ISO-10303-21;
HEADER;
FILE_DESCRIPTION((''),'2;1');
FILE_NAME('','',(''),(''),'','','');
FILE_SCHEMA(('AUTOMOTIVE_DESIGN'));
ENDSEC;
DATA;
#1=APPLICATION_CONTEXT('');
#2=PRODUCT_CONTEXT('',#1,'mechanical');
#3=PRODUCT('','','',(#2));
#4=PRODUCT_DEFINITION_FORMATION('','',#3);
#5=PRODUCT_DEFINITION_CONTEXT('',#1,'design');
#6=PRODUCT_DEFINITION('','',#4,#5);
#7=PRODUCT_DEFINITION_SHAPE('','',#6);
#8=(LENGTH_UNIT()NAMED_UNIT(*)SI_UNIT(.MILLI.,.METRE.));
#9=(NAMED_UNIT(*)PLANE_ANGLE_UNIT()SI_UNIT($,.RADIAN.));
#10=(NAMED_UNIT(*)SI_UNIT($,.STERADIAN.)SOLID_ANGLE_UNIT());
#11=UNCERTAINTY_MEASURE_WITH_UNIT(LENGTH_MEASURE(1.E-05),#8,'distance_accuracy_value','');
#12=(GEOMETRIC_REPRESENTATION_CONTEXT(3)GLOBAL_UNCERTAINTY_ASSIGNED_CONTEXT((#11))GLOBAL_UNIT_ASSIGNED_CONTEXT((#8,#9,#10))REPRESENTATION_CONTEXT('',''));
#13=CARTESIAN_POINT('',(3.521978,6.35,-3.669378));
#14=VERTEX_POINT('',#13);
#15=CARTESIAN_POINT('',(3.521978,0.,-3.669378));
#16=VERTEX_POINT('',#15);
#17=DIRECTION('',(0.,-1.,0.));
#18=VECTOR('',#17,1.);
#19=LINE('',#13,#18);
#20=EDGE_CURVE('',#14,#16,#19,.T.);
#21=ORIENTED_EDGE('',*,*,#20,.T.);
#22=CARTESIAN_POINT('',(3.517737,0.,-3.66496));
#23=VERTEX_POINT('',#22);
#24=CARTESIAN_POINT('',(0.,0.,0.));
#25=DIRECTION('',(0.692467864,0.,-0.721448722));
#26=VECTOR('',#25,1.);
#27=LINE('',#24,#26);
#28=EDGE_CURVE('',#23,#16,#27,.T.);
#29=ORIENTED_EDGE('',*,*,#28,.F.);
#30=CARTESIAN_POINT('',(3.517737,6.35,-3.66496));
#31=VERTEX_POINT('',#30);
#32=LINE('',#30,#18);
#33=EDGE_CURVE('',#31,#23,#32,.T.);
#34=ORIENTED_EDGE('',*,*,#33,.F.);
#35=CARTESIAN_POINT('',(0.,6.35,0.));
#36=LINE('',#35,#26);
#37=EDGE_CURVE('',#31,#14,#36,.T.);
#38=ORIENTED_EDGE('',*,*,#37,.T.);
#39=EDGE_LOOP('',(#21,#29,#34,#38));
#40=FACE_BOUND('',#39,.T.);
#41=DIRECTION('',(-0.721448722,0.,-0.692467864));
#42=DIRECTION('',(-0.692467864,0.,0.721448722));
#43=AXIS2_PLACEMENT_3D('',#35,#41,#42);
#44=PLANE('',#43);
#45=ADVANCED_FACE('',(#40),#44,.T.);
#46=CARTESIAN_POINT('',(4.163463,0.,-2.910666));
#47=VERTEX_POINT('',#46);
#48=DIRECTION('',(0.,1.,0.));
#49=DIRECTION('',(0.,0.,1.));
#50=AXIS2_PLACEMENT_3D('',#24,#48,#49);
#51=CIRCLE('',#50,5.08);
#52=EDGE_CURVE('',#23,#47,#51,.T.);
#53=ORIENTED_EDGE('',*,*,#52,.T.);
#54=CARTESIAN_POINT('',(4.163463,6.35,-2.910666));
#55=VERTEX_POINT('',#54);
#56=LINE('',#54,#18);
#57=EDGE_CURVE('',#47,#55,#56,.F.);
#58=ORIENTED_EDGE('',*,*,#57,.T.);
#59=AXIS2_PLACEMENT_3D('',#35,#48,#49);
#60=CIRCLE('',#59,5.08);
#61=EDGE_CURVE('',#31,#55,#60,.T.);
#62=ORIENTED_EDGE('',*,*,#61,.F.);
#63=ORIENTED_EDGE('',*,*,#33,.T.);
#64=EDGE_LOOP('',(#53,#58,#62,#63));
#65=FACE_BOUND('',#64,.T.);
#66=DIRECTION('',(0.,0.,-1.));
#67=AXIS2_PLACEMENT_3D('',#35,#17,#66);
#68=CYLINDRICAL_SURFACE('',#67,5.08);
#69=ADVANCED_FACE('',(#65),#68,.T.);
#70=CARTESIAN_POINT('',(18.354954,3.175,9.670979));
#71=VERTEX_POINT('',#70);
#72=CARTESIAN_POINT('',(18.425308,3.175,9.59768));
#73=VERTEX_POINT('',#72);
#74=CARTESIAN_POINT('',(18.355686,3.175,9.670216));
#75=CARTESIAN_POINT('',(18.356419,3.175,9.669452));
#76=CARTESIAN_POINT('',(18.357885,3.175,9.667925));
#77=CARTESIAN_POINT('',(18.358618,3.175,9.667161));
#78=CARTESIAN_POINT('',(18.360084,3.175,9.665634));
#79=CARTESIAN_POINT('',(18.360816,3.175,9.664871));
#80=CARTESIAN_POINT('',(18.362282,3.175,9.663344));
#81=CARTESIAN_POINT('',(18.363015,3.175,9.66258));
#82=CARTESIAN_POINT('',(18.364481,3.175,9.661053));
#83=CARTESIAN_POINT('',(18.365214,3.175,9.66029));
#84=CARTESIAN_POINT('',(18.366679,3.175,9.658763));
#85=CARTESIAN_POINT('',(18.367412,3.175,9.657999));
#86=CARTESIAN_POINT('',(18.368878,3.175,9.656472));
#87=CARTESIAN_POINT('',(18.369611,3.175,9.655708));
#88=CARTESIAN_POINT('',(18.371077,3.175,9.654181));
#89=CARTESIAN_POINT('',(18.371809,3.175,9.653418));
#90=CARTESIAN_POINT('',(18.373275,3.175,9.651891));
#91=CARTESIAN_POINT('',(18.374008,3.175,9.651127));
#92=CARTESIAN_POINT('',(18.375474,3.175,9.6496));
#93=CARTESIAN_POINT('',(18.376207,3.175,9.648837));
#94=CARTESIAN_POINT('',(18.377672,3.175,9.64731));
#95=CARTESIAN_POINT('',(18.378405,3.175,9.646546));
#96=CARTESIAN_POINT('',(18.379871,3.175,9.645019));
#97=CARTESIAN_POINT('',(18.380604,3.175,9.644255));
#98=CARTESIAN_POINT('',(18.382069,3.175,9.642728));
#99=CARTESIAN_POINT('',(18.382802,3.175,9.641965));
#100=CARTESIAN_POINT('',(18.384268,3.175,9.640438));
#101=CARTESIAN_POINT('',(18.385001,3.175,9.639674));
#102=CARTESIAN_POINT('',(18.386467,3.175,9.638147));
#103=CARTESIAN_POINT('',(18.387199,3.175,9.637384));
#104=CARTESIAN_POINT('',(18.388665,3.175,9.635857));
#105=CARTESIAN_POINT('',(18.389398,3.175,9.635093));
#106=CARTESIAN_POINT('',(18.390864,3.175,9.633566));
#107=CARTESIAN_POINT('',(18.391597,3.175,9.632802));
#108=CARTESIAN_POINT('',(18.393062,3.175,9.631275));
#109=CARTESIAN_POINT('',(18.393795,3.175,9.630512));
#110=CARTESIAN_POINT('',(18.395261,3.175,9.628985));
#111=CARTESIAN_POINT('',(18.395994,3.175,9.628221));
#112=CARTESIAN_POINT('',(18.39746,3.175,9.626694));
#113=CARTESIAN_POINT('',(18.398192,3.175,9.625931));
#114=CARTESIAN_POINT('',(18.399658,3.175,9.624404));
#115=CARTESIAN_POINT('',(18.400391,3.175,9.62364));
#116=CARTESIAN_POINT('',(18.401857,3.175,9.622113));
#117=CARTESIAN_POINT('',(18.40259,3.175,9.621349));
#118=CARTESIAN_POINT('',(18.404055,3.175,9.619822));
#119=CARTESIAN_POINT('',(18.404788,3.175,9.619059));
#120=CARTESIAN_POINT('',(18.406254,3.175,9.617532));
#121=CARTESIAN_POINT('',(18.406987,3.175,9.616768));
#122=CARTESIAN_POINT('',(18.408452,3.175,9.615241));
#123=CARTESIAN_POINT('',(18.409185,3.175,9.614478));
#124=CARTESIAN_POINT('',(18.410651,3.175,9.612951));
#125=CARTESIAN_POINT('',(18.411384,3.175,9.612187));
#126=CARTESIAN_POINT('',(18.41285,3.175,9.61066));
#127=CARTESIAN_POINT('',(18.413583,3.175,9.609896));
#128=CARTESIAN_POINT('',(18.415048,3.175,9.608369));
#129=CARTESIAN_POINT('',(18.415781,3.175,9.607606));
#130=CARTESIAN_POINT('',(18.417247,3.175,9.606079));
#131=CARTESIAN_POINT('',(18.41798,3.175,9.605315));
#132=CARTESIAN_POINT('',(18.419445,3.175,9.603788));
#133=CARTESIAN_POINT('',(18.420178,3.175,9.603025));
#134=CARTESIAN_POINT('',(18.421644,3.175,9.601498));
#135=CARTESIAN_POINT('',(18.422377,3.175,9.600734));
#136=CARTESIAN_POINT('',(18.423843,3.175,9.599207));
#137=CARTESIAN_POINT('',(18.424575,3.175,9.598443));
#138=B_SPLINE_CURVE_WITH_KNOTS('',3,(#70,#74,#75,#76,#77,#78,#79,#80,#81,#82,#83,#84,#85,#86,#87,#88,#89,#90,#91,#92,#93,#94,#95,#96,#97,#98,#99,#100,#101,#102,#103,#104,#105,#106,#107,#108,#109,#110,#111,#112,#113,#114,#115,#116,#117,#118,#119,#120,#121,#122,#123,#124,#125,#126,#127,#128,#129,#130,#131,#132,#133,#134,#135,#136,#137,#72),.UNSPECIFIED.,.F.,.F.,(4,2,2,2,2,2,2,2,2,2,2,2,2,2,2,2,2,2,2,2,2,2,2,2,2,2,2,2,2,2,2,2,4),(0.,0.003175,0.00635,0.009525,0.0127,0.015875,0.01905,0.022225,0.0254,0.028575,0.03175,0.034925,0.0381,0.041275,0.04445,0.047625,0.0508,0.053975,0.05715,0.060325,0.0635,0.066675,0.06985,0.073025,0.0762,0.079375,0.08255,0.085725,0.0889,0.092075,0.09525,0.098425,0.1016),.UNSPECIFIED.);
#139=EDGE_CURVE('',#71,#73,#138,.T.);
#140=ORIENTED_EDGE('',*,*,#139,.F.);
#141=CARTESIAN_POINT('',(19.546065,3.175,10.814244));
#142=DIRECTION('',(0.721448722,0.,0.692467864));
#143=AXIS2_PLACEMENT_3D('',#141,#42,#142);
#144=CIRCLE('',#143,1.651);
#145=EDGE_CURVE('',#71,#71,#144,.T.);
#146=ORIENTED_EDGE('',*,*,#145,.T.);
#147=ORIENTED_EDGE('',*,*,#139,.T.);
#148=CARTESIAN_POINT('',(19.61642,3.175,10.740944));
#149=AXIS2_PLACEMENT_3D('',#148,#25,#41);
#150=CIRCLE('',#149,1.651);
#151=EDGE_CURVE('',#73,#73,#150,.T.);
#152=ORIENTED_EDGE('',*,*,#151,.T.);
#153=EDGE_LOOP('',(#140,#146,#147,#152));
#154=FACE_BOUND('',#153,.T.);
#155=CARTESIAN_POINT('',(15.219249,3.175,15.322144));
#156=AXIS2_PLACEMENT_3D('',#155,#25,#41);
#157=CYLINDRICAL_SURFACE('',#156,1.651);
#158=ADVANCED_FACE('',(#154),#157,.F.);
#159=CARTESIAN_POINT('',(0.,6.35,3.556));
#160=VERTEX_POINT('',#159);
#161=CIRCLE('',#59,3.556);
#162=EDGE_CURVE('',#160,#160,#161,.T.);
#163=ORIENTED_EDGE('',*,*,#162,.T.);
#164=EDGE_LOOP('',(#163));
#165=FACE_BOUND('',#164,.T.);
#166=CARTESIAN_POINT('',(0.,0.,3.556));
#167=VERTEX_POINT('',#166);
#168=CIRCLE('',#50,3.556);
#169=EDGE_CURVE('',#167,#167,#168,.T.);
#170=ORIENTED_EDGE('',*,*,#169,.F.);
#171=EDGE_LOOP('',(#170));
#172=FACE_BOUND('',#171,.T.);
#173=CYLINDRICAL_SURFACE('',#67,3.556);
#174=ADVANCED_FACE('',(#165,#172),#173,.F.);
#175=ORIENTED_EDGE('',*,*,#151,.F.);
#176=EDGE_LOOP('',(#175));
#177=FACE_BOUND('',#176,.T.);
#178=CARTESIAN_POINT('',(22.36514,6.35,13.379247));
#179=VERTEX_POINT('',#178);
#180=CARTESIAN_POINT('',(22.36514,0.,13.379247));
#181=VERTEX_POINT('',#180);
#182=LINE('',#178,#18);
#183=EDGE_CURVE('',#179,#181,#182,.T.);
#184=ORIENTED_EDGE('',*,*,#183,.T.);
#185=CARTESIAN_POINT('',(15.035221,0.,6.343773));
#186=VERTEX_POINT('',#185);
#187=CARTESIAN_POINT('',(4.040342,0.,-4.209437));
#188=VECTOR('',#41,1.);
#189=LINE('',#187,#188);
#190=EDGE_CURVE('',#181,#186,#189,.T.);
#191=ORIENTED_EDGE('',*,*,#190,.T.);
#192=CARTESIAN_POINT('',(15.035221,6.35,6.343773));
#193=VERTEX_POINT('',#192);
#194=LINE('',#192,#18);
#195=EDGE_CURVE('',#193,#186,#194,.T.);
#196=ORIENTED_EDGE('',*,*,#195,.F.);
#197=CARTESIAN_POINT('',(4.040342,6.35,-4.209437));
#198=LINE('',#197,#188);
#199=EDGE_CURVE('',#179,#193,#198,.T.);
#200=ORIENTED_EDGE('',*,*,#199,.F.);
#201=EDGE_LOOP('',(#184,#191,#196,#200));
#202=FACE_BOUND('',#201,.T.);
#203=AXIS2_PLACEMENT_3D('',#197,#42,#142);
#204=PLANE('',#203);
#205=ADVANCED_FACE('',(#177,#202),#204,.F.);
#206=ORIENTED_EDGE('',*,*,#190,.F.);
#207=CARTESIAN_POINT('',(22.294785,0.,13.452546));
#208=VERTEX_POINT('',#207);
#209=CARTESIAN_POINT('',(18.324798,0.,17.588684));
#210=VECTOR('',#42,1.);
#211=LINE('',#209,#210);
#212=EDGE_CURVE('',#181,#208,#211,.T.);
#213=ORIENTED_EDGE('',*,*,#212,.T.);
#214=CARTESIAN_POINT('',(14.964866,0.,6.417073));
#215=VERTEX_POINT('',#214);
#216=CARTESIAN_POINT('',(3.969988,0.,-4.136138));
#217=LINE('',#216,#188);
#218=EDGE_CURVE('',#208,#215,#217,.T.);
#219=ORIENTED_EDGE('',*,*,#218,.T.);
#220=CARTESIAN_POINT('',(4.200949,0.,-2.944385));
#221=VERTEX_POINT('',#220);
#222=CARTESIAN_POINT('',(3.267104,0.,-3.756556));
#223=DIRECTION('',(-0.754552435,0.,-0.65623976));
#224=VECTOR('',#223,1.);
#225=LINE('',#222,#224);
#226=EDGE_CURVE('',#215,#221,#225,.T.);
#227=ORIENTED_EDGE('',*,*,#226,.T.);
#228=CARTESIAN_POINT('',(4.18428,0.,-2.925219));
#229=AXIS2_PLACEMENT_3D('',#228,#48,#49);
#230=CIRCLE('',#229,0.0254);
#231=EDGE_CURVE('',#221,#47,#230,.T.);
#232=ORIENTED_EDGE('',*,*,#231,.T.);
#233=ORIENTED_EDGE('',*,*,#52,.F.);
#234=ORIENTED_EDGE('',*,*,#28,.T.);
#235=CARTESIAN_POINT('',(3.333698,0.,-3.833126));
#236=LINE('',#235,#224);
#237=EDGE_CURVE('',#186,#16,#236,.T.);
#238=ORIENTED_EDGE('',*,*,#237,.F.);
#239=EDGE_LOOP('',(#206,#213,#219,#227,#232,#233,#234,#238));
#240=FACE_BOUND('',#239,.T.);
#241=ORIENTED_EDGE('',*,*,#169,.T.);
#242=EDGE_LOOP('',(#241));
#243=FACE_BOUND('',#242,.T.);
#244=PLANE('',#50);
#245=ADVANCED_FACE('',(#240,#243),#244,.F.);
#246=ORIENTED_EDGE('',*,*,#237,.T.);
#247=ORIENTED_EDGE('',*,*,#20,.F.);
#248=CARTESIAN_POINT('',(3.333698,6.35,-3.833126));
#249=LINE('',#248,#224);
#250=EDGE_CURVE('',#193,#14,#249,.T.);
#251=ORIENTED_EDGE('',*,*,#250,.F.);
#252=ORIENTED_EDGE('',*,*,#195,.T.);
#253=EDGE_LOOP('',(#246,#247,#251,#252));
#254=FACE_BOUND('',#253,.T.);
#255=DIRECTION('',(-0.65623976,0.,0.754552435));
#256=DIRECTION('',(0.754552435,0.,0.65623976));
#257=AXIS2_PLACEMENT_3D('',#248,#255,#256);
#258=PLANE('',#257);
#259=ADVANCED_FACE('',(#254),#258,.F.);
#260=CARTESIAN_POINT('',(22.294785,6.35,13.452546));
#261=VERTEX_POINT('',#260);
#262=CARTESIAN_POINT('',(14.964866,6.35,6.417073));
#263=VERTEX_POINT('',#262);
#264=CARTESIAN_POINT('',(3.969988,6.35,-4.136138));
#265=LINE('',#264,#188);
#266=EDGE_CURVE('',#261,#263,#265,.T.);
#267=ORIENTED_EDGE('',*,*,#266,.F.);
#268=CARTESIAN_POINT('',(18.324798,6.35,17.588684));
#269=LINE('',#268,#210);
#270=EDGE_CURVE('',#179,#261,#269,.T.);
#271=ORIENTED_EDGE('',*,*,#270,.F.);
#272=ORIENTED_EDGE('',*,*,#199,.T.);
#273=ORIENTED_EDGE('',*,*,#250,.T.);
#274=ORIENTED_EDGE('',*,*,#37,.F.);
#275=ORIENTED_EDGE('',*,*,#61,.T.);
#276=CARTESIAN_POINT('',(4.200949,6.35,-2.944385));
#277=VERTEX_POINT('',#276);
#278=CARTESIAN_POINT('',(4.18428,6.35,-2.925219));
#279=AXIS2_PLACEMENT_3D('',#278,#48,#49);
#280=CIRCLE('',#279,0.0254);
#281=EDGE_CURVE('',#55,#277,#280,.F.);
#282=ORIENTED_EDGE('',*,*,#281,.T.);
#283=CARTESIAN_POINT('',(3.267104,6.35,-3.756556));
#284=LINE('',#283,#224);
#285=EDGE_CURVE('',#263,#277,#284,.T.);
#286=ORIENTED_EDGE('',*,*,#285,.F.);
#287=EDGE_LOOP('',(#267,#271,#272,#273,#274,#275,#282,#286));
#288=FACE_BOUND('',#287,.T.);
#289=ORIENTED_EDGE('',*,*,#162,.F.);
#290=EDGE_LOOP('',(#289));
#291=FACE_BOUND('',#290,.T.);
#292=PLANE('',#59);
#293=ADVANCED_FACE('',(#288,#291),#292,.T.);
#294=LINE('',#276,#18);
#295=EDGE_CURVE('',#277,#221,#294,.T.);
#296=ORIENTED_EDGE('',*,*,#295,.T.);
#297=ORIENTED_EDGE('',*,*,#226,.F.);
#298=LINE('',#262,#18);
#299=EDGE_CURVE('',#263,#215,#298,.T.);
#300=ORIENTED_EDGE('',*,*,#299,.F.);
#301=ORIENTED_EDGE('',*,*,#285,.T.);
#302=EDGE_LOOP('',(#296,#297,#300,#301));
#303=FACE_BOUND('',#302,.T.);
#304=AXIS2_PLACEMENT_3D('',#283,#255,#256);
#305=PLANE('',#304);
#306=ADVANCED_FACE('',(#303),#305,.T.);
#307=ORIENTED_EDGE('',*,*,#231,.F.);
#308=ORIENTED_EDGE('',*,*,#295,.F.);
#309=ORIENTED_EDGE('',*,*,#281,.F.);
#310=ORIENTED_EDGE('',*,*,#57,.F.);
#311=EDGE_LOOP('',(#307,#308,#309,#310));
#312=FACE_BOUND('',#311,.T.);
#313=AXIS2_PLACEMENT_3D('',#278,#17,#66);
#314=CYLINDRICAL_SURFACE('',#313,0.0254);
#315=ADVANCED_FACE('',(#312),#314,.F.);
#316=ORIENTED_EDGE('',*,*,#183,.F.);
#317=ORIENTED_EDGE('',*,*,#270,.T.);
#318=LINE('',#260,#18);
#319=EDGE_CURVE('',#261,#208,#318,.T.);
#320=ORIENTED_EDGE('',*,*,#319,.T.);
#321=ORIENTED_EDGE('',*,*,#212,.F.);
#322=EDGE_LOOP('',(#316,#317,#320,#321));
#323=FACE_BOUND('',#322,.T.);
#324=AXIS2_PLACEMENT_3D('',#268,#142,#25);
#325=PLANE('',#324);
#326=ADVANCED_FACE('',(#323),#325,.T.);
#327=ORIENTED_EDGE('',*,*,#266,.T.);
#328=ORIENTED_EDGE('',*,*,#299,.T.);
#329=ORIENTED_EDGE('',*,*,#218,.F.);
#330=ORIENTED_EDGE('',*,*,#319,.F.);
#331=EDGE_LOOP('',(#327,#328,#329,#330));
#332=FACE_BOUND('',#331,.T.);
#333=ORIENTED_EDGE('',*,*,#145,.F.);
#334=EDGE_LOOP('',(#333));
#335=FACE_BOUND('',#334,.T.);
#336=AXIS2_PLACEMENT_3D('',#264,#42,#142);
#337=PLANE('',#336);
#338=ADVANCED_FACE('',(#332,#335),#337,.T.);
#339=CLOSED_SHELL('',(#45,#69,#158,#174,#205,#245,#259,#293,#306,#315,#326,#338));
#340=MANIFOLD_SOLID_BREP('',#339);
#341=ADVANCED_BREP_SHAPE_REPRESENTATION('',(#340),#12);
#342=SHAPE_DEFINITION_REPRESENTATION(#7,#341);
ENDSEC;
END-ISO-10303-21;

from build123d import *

# Parameters (mm, degrees)
SKETCH1_R           = 3.556
BOSS_EXTRUDE1_DEPTH = 6.35
SKETCH2_R           = 1.651
CUT_EXTRUDE1_DEPTH  = 6.35
FILLET1_R           = 0.0254


with BuildPart() as part:
    # Sketch1 → Boss-Extrude1 (new body)
    with BuildSketch(Plane(origin=(0, 0, 0), x_dir=(1, 0, 0), z_dir=(0, 1, 0))):
        with BuildLine():
            Line((22.365139772, -13.37924688), (15.035220761, -6.343773385))
            Line((15.035220761, -6.343773385), (3.521977792, 3.669378045))
            Line((3.521977792, 3.669378045), (3.517736747, 3.664959506))
            ThreePointArc((3.517736747, 3.664959506), (-3.784384399, -3.388928255), (4.029432062, 3.093554146))
            Line((4.029432062, 3.093554146), (14.964866026, -6.417072576))
            Line((14.964866026, -6.417072576), (22.294785037, -13.45254607))
            Line((22.294785037, -13.45254607), (22.365139772, -13.37924688))
        make_face()
        with Locations(Location((0, 0, 0), (0, 0, 270))):
            Circle(SKETCH1_R, mode=Mode.SUBTRACT)
    extrude(amount=BOSS_EXTRUDE1_DEPTH)

    # Sketch2 → Cut-Extrude1 (cut)
    with BuildSketch(Plane(origin=(3.305454811, 0, -4.914803593), x_dir=(-0.7214487215857361, 0, -0.6924678636025697), z_dir=(0.6924678636025697, 0, -0.7214487215857361))):
        with Locations((-22.608627396, 3.175)):
            Circle(SKETCH2_R)
    extrude(amount=-CUT_EXTRUDE1_DEPTH, mode=Mode.SUBTRACT)

    # Fillet1
    fillet1_edges = [part.edges().sort_by_distance(p)[0] for p in [
        (4.029432062, 3.175, -3.093554146),
    ]]
    fillet(fillet1_edges, radius=FILLET1_R)


solid = part.part
